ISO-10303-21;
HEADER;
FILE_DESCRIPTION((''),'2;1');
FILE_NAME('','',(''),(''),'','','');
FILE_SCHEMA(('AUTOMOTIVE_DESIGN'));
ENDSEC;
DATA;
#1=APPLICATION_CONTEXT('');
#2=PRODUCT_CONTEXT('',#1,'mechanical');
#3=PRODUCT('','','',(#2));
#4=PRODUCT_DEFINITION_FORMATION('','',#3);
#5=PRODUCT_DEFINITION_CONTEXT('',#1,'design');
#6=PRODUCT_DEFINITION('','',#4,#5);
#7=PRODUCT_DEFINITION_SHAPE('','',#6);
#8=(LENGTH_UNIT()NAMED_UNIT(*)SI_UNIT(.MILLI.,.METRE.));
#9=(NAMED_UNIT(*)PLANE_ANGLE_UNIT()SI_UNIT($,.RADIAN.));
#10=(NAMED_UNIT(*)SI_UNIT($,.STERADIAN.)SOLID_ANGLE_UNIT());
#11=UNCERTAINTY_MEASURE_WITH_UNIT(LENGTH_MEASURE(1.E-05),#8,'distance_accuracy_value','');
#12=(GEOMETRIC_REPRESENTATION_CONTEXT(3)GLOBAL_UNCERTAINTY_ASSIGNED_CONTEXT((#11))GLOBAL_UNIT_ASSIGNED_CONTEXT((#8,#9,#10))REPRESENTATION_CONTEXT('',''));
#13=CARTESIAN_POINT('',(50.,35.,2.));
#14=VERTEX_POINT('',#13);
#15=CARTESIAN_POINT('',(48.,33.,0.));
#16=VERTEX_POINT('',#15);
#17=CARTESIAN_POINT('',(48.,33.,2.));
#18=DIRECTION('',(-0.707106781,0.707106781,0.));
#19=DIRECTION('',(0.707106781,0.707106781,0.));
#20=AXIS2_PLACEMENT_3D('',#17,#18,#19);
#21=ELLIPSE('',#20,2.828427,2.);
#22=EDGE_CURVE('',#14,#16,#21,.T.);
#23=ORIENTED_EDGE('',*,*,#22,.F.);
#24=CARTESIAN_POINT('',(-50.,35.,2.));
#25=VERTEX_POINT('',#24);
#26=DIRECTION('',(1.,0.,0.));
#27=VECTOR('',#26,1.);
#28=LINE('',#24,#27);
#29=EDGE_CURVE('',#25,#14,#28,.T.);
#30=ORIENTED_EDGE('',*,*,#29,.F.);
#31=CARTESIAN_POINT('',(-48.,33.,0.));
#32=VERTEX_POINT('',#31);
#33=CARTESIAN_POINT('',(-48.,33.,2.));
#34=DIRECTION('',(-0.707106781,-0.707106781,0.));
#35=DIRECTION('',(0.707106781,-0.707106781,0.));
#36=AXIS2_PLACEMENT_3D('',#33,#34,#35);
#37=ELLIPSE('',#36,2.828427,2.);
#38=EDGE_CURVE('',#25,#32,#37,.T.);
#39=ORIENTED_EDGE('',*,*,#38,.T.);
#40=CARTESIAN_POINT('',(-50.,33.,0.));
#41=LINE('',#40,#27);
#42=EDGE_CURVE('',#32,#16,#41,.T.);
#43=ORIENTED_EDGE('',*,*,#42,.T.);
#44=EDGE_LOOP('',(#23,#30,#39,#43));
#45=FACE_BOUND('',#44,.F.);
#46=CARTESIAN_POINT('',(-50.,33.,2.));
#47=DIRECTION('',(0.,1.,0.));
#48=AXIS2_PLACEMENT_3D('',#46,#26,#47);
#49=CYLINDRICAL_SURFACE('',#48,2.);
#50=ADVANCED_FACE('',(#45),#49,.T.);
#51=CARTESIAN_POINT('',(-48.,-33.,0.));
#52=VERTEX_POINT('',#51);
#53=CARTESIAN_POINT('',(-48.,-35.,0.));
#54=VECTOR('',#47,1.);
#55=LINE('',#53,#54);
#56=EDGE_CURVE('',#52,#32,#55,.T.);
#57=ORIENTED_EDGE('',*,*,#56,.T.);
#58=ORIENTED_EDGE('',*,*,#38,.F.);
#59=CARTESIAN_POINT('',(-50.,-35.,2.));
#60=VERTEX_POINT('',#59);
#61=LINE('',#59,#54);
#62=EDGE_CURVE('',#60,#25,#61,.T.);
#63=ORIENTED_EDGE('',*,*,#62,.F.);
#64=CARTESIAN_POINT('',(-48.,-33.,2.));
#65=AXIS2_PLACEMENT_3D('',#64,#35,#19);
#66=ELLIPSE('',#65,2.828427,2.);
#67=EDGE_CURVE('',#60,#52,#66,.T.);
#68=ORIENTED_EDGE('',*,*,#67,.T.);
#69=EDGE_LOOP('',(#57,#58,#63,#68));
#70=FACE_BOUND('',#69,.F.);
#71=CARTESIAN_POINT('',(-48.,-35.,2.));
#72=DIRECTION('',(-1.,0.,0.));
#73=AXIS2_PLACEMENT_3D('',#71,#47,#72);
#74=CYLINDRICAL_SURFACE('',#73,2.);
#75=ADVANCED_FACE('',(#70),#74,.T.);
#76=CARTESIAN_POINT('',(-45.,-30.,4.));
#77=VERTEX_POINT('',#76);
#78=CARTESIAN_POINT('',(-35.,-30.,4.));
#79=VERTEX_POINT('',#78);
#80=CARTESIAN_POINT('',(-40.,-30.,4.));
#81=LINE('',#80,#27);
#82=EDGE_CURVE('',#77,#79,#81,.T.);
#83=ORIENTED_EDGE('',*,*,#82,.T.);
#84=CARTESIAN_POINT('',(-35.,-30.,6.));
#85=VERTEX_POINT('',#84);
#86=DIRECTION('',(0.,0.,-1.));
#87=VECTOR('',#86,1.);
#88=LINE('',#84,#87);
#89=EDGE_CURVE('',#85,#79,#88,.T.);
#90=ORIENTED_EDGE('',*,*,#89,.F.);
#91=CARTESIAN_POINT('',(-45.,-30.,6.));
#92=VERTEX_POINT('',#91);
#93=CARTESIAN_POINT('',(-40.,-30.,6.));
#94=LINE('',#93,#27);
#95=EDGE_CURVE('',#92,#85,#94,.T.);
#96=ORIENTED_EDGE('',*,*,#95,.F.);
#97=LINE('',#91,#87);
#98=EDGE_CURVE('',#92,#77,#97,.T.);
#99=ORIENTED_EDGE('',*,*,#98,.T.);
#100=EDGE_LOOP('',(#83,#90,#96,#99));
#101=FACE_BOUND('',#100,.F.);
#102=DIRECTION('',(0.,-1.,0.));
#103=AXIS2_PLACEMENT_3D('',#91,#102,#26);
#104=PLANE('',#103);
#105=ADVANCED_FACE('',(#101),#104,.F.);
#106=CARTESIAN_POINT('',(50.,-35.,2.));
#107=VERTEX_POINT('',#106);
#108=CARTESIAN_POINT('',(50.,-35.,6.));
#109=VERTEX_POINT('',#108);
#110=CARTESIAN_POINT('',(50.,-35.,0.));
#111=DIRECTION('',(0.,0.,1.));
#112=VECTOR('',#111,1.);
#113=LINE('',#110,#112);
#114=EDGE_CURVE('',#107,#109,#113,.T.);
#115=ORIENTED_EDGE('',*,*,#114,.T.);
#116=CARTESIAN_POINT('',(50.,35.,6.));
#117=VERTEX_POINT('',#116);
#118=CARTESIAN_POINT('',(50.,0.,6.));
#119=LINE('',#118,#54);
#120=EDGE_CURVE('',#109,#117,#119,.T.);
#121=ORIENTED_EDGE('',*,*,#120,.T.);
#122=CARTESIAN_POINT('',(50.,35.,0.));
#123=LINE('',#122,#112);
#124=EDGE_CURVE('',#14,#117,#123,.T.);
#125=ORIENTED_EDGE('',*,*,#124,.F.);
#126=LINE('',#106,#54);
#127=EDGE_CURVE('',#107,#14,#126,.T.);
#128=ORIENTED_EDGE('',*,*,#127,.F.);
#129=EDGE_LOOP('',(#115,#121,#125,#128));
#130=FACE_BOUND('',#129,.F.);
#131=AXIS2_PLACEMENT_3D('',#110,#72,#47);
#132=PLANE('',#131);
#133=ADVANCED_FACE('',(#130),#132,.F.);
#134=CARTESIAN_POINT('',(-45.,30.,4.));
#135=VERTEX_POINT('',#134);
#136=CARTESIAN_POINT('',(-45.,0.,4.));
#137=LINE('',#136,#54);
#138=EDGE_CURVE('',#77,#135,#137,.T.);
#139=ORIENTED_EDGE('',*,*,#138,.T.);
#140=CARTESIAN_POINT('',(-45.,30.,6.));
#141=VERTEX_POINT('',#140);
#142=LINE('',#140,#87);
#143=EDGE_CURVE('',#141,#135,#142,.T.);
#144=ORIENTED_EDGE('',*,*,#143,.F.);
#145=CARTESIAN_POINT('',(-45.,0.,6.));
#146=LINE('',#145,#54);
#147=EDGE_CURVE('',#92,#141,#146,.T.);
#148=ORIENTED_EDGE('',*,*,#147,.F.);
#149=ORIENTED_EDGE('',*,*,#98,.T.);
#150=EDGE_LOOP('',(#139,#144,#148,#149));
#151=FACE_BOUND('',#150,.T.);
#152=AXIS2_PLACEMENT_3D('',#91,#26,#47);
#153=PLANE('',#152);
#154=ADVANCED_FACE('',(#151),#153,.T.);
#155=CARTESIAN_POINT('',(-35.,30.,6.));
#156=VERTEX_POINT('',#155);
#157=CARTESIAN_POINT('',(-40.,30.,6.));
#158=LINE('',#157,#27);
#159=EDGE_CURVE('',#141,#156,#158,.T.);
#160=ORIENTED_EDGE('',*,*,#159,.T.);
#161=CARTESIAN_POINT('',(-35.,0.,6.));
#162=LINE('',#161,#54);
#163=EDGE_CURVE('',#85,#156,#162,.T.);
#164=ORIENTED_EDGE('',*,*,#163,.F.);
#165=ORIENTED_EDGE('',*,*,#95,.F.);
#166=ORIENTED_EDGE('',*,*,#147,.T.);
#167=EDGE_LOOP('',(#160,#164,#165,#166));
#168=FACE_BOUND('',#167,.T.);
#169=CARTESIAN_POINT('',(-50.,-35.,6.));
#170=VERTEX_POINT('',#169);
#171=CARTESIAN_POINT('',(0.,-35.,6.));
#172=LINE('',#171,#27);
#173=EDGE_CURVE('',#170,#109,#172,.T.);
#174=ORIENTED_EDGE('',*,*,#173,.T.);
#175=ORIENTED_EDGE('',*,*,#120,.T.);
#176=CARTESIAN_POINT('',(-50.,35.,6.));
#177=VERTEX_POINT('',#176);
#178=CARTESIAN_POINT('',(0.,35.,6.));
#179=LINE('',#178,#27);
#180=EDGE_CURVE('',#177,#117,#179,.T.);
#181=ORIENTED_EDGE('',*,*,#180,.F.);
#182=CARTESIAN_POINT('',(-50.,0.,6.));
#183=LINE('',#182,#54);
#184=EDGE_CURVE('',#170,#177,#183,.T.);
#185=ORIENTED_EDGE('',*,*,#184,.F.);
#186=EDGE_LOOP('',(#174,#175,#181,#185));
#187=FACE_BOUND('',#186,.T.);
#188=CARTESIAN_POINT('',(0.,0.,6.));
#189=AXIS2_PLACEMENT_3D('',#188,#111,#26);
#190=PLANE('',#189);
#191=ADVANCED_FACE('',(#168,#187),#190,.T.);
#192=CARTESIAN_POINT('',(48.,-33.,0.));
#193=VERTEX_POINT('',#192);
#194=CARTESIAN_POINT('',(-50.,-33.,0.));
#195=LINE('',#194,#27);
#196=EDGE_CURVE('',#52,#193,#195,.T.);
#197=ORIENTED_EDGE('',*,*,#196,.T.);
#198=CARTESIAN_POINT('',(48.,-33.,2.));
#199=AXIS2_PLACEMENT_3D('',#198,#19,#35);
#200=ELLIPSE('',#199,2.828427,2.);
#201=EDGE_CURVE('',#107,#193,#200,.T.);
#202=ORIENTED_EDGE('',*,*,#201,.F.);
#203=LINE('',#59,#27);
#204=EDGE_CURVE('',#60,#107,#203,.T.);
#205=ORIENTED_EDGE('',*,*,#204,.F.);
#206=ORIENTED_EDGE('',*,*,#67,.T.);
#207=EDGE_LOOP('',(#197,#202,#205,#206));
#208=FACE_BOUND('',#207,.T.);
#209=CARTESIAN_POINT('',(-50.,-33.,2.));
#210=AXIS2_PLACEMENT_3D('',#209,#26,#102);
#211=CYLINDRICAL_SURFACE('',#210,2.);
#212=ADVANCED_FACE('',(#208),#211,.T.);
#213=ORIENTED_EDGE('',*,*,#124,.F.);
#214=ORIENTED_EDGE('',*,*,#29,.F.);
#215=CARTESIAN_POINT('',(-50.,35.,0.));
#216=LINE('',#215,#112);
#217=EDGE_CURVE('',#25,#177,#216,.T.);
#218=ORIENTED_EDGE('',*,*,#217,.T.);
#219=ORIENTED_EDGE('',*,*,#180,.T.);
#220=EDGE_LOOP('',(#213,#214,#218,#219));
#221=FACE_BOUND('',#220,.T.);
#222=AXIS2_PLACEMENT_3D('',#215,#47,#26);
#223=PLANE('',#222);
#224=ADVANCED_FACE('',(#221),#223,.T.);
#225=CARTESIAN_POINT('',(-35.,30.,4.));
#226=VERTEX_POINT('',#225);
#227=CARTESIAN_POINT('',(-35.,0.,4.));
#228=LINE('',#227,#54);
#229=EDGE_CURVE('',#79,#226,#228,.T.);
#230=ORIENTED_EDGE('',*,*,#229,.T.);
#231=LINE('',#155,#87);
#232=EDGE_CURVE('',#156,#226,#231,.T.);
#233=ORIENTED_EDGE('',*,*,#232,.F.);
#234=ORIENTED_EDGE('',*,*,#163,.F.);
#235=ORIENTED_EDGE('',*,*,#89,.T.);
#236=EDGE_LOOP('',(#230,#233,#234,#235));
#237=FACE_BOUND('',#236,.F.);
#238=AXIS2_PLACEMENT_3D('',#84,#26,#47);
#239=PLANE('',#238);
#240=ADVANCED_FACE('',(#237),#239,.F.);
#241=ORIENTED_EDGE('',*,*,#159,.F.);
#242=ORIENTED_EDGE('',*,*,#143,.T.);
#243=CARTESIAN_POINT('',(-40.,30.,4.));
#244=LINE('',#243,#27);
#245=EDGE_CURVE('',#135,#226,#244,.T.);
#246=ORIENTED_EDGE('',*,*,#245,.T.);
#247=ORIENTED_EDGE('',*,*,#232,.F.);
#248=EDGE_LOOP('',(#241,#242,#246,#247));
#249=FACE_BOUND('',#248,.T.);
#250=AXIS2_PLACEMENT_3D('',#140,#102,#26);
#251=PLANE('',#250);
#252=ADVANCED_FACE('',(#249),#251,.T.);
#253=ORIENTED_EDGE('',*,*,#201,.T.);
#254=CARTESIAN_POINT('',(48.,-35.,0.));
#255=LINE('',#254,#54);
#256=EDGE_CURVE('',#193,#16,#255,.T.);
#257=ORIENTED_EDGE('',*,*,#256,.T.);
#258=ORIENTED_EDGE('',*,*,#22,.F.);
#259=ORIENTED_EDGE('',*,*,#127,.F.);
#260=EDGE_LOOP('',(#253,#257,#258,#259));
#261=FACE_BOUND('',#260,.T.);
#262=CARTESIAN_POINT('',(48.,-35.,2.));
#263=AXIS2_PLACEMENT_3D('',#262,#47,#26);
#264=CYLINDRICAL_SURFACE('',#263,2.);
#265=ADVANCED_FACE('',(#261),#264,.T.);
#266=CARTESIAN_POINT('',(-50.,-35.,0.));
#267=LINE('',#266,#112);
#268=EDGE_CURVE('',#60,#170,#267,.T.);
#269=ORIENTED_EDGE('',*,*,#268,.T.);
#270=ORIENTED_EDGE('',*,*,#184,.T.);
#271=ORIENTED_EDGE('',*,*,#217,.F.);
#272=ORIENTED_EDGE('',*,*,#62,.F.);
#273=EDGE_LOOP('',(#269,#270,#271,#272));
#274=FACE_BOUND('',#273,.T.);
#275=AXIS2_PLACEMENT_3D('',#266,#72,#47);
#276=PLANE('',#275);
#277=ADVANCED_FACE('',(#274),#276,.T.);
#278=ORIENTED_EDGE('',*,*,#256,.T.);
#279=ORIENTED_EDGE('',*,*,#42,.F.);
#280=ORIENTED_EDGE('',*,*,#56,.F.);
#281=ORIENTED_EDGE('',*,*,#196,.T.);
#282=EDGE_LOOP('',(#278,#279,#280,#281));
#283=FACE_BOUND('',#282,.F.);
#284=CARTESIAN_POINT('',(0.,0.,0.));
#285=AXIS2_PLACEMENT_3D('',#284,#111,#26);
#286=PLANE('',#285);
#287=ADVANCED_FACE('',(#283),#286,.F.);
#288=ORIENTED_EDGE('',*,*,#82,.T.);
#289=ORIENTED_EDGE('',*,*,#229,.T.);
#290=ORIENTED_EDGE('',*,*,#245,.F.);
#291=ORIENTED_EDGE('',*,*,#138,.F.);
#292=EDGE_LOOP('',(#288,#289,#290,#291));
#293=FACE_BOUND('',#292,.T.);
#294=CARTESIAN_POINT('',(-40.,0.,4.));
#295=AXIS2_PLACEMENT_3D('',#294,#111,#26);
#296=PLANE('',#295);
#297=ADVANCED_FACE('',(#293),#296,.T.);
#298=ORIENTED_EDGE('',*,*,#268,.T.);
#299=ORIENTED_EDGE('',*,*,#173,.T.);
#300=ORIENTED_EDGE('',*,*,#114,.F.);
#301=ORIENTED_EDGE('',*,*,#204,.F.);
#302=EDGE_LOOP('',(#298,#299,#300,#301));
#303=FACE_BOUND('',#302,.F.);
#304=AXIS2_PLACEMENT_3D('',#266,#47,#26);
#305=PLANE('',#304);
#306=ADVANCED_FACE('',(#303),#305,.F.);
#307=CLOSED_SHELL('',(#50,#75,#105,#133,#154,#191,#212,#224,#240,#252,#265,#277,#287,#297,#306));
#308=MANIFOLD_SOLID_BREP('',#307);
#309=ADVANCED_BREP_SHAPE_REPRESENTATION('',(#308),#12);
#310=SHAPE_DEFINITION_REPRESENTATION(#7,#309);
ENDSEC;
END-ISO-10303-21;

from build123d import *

# Parameters (mm, degrees)
F0_W     = 100
F0_H     = 70
F1_DEPTH = 6
F2_R     = 2
F3_W     = 10
F3_H     = 60
F4_DEPTH = 2


with BuildPart() as f1:
    # F0 (on Top) → F1 (new body)
    with BuildSketch(Plane.XY):
        Rectangle(F0_W, F0_H)
    extrude(amount=F1_DEPTH)

    # F2
    f2_edges = [f1.edges().sort_by_distance(p)[0] for p in [
        (0, -35, 0),
        (50, 0, 0),
        (0, 35, 0),
        (-50, 0, 0),
    ]]
    fillet(f2_edges, radius=F2_R)

    # F3 (on face) → F4 (cut)
    with BuildSketch(Plane.XY.offset(6)):
        with Locations((-40, 0)):
            Rectangle(F3_W, F3_H)
    extrude(amount=-F4_DEPTH, mode=Mode.SUBTRACT)


solid = f1.part
